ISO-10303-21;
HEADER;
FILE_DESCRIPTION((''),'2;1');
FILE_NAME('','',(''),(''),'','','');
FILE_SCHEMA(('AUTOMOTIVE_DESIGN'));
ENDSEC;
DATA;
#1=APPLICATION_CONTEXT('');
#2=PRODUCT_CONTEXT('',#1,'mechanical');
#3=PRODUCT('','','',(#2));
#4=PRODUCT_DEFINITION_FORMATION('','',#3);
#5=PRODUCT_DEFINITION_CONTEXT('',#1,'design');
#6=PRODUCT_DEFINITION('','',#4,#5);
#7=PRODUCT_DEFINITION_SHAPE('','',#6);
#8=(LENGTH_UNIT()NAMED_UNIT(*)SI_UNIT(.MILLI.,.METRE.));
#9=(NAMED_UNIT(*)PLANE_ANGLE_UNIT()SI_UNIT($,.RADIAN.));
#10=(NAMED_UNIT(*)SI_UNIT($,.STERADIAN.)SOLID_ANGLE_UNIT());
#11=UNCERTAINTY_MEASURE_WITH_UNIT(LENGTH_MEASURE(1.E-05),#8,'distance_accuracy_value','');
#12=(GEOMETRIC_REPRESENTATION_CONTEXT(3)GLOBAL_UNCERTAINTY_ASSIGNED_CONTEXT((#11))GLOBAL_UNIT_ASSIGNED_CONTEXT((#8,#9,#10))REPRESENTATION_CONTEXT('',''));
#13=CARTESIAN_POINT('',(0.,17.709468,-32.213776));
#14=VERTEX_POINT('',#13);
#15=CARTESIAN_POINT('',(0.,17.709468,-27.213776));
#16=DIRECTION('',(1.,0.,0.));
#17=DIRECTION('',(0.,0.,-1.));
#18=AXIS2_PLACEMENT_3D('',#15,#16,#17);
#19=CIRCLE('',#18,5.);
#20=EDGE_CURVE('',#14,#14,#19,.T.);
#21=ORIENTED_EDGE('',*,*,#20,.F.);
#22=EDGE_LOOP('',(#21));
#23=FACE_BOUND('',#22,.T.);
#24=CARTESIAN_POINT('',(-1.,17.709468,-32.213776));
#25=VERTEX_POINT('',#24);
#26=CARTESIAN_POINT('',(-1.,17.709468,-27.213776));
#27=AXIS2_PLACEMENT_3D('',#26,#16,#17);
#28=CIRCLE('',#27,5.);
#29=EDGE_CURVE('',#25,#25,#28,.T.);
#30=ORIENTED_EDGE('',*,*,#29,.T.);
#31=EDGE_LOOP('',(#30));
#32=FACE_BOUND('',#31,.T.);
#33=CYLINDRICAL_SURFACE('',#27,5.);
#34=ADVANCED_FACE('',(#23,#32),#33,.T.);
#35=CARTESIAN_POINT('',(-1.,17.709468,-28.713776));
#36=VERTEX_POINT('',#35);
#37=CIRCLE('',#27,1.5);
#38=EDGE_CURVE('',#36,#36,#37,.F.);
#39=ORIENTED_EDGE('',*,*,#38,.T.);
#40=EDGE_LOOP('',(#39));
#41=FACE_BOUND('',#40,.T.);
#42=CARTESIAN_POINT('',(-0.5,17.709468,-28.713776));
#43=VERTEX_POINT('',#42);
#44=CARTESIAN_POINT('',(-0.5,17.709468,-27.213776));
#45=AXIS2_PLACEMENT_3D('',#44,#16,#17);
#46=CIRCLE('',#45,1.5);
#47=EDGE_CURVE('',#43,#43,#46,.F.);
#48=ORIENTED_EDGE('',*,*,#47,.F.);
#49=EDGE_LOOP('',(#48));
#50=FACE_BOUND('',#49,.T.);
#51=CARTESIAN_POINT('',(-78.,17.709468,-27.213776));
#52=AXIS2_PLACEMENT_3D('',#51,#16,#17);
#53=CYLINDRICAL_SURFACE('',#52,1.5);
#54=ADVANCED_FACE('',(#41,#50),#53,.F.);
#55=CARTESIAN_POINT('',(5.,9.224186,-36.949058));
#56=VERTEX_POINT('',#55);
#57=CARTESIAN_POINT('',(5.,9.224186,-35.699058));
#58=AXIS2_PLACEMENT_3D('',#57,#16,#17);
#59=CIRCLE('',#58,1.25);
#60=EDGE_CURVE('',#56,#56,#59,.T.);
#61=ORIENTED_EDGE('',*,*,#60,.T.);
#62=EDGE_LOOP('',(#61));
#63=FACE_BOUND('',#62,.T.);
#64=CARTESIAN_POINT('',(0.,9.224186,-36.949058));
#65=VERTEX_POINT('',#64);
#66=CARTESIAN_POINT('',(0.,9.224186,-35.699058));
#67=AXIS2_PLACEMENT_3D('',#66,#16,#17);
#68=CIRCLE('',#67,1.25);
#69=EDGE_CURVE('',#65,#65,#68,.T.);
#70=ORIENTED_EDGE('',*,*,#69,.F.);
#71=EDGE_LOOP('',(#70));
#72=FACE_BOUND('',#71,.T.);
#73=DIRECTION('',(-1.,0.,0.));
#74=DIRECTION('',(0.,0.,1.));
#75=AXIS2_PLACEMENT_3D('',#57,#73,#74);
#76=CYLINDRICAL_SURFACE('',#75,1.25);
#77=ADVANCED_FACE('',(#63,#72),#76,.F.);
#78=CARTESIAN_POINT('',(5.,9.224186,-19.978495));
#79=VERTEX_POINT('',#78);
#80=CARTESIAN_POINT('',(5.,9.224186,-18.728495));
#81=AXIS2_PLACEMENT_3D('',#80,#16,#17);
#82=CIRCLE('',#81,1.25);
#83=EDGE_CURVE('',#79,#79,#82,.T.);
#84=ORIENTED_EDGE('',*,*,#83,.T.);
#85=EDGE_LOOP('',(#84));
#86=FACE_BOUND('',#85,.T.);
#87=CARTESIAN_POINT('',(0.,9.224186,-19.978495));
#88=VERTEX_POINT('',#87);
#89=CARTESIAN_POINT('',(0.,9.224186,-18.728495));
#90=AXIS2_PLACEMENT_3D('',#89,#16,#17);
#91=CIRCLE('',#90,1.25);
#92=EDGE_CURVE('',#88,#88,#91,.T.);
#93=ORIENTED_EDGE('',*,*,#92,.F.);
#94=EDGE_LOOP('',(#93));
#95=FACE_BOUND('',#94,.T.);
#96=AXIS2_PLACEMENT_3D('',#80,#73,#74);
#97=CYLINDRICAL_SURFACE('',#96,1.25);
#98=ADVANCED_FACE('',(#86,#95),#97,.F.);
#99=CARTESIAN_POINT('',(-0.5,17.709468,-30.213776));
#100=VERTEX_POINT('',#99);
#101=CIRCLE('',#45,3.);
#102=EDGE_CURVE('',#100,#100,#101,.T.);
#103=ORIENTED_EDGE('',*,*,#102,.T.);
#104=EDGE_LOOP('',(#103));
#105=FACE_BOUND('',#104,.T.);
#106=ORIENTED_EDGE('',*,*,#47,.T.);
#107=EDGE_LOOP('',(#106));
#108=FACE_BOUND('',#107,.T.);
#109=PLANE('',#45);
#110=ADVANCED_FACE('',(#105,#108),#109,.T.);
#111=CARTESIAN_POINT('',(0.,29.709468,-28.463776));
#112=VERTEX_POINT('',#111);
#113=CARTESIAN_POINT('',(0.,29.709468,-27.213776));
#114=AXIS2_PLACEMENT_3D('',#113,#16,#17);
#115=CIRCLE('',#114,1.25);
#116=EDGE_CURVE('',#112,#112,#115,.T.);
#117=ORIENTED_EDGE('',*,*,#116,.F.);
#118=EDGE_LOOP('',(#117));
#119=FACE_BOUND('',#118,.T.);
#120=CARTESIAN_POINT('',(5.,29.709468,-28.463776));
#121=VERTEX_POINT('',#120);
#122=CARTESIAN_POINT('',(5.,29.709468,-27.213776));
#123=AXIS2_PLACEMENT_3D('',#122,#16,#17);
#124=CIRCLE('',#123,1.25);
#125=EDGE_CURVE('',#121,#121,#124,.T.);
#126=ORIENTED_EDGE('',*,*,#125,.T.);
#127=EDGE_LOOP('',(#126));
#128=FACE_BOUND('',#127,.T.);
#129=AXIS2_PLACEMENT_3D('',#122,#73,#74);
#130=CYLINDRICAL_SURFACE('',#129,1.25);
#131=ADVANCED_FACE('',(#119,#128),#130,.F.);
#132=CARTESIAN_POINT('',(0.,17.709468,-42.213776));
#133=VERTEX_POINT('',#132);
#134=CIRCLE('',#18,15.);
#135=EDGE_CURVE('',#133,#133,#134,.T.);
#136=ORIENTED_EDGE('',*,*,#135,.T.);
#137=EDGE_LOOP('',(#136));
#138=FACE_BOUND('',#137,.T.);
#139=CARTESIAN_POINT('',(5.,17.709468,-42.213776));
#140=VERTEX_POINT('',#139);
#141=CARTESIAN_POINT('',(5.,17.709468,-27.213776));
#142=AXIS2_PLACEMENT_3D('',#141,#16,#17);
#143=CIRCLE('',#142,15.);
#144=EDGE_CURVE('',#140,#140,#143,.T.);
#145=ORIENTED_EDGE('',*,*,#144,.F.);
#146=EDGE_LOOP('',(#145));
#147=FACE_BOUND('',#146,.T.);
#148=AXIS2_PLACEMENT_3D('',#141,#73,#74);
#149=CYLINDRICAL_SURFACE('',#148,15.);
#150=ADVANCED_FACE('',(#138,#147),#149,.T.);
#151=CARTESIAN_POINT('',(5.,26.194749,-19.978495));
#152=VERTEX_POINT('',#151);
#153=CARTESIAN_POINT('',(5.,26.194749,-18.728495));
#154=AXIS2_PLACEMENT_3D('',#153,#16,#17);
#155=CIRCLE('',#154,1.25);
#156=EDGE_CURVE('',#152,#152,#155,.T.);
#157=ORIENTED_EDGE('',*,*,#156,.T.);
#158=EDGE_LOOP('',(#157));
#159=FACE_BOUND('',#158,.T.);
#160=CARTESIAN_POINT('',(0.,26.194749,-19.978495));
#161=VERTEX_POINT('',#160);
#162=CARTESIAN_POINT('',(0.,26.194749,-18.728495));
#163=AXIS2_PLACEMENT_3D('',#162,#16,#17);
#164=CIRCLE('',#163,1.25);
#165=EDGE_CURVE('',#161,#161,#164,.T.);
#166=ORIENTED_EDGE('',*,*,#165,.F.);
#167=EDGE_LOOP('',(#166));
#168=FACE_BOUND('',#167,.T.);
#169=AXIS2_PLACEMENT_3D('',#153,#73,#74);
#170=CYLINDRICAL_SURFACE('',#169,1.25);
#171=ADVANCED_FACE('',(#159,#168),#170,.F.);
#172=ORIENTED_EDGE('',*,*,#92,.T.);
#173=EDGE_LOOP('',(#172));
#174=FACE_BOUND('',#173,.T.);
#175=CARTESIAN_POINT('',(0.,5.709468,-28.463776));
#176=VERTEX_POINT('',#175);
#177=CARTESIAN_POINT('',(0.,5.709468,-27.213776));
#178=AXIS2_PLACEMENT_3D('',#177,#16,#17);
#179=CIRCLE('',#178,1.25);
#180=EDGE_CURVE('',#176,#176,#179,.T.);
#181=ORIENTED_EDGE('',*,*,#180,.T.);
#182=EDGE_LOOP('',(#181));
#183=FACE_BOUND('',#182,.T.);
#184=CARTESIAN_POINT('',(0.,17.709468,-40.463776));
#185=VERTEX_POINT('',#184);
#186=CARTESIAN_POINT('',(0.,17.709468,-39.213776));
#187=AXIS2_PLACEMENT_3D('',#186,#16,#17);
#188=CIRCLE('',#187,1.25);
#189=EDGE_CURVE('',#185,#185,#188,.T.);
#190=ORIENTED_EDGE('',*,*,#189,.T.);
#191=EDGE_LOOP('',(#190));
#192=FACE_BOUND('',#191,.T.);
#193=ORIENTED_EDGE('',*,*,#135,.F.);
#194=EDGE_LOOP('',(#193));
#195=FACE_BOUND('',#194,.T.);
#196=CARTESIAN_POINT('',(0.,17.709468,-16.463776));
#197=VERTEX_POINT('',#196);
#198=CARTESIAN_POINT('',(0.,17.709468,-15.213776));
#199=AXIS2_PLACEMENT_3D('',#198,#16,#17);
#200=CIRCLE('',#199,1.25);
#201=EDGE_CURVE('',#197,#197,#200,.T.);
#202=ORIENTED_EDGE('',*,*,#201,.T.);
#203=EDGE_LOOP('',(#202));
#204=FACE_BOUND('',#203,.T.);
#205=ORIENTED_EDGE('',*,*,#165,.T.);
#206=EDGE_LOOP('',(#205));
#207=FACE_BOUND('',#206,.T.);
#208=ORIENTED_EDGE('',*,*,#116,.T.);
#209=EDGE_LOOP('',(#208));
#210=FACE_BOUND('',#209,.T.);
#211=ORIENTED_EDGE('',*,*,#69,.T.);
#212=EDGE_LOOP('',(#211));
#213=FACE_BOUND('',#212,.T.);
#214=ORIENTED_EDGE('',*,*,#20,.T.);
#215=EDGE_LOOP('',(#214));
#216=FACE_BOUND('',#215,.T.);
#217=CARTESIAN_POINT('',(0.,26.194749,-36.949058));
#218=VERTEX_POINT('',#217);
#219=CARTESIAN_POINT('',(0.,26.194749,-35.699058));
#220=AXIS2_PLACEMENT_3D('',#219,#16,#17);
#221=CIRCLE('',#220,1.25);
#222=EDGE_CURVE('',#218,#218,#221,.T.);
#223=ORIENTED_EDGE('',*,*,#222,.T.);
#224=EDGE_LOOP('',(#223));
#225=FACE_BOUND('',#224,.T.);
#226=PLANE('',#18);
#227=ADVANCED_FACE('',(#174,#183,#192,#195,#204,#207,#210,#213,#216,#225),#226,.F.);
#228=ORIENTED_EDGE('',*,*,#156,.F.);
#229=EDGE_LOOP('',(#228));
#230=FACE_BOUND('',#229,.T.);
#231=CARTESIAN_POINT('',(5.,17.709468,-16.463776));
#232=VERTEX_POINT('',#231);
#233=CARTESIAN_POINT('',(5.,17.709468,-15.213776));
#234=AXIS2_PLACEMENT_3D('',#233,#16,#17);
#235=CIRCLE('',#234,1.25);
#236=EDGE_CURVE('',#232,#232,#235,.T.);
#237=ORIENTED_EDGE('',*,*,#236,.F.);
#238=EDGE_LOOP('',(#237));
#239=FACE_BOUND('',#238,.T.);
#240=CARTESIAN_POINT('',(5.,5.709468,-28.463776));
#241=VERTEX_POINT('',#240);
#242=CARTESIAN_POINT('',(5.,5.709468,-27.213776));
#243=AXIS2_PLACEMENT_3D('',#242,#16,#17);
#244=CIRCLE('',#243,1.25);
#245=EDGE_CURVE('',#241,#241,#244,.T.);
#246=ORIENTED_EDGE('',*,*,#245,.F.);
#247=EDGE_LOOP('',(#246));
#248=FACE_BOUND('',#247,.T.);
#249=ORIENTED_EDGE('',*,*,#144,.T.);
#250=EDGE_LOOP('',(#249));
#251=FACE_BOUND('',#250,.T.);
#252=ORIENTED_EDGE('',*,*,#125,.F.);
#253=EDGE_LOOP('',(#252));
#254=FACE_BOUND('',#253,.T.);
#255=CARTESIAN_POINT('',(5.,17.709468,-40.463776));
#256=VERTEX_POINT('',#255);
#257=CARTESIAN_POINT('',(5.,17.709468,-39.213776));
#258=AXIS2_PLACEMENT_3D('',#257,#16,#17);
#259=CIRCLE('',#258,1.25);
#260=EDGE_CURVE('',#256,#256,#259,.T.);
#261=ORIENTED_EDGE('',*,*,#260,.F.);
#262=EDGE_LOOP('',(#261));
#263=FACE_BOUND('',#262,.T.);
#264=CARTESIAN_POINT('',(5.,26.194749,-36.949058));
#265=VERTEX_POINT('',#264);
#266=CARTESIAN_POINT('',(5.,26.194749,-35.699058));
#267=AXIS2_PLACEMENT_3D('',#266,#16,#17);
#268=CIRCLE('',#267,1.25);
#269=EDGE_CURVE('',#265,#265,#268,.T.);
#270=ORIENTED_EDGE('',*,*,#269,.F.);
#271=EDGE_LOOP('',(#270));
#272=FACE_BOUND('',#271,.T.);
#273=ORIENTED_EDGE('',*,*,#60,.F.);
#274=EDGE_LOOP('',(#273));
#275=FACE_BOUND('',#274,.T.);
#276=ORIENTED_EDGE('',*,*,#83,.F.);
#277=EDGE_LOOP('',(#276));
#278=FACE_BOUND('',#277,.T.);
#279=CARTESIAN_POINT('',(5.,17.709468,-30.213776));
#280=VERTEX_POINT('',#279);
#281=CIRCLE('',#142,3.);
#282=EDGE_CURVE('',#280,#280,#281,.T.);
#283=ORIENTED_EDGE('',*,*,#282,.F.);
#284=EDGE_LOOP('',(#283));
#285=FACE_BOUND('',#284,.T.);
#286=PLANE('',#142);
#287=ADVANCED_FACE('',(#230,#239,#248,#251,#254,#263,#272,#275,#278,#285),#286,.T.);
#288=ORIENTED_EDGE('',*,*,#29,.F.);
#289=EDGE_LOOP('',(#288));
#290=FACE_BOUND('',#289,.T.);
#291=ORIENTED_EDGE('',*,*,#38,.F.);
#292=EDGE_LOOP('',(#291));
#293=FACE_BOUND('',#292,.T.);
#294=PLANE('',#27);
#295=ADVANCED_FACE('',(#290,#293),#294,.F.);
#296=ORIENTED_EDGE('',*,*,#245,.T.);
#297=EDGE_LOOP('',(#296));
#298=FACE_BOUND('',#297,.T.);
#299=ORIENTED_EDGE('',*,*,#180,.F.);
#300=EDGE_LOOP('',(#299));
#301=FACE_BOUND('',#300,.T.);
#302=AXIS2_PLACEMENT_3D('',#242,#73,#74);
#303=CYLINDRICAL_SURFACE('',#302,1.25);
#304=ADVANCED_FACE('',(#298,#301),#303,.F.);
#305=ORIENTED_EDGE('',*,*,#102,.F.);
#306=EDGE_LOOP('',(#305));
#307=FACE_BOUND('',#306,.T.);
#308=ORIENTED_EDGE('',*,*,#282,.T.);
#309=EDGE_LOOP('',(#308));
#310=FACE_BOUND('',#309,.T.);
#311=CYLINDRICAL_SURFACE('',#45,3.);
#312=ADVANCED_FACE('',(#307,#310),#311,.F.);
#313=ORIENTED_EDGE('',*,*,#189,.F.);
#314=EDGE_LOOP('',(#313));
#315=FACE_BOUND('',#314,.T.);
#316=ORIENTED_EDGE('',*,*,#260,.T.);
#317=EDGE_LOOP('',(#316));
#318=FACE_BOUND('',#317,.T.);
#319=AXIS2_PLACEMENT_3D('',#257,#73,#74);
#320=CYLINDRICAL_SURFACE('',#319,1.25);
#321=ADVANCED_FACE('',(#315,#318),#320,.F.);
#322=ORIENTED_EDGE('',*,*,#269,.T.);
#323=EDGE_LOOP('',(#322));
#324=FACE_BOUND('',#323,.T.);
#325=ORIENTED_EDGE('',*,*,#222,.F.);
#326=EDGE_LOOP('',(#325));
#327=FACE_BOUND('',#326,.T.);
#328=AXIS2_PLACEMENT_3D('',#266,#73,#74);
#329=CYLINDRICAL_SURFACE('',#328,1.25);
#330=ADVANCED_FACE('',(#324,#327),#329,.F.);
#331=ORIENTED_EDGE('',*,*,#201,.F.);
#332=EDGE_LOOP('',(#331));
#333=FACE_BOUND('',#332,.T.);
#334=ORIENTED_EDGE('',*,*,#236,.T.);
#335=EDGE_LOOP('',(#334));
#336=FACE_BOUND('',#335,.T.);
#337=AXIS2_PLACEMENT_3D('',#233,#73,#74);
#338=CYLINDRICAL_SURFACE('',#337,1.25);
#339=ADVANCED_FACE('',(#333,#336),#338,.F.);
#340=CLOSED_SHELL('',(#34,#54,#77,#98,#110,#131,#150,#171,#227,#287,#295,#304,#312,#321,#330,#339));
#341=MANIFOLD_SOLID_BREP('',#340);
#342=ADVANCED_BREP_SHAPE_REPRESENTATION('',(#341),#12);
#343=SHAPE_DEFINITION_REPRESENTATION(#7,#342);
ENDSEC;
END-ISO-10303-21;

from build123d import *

# Parameters (mm, degrees)
SKETCH_1_R               = 15
SKETCH_1_R_2             = 1.25
EXTRUDE_2_DEPTH          = 5
SKETCH_3_R               = 5
EXTRUDE_4_DEPTH          = 1
SKETCH_4_R               = 3
CUT_EXTRUDE_1_DEPTH      = 5.5
CUT_EXTRUDE_2_DEPTH      = 78
CUT_EXTRUDE_2_DEPTH_BACK = 5.5
SKETCH_5_R               = 1.5


with BuildPart() as part:
    # ｽｹｯﾁ1 → ﾎﾞｽ - 押し出し2 (new body)
    with BuildSketch(Plane(origin=(0, 0, 0), x_dir=(0, 0, -1), z_dir=(1, 0, 0))):
        with Locations((27.213776389, 17.709467549)):
            Circle(SKETCH_1_R)
        with Locations((27.213776389, 29.709467549)):
            Circle(SKETCH_1_R_2, mode=Mode.SUBTRACT)
        with Locations((35.699057763, 26.194748924)):
            Circle(SKETCH_1_R_2, mode=Mode.SUBTRACT)
        with Locations((18.728495014, 26.194748924)):
            Circle(SKETCH_1_R_2, mode=Mode.SUBTRACT)
        with Locations((15.213776389, 17.709467549)):
            Circle(SKETCH_1_R_2, mode=Mode.SUBTRACT)
        with Locations((35.699057763, 9.224186175)):
            Circle(SKETCH_1_R_2, mode=Mode.SUBTRACT)
        with Locations((39.213776389, 17.709467549)):
            Circle(SKETCH_1_R_2, mode=Mode.SUBTRACT)
        with Locations((18.728495014, 9.224186175)):
            Circle(SKETCH_1_R_2, mode=Mode.SUBTRACT)
        with Locations((27.213776389, 5.709467549)):
            Circle(SKETCH_1_R_2, mode=Mode.SUBTRACT)
    extrude(amount=EXTRUDE_2_DEPTH)

    # ｽｹｯﾁ3 → ﾎﾞｽ - 押し出し4 (add)
    with BuildSketch(Plane(origin=(0, 0, 0), x_dir=(0, 0, -1), z_dir=(1, 0, 0))):
        with Locations((27.213776389, 17.709467549)):
            Circle(SKETCH_3_R)
    extrude(amount=-EXTRUDE_4_DEPTH)

    # ｽｹｯﾁ4 → ｶｯﾄ - 押し出し1 (cut)
    with BuildSketch(Plane(origin=(5, 0, 0), x_dir=(0, 0, -1), z_dir=(1, 0, 0))):
        with Locations((27.213776389, 17.709467549)):
            Circle(SKETCH_4_R)
    extrude(amount=-CUT_EXTRUDE_1_DEPTH, mode=Mode.SUBTRACT)

    # ｽｹｯﾁ5 → ｶｯﾄ - 押し出し2 (cut, two sides: drawn at the far end of the back side and taken through both)
    with BuildSketch(Plane.ZY.offset(-CUT_EXTRUDE_2_DEPTH_BACK)):
        with Locations(Location((-27.213776389, 17.709467549, 0), (0, 0, 180))):
            Circle(SKETCH_5_R)
    extrude(amount=CUT_EXTRUDE_2_DEPTH + CUT_EXTRUDE_2_DEPTH_BACK, mode=Mode.SUBTRACT)


solid = part.part
